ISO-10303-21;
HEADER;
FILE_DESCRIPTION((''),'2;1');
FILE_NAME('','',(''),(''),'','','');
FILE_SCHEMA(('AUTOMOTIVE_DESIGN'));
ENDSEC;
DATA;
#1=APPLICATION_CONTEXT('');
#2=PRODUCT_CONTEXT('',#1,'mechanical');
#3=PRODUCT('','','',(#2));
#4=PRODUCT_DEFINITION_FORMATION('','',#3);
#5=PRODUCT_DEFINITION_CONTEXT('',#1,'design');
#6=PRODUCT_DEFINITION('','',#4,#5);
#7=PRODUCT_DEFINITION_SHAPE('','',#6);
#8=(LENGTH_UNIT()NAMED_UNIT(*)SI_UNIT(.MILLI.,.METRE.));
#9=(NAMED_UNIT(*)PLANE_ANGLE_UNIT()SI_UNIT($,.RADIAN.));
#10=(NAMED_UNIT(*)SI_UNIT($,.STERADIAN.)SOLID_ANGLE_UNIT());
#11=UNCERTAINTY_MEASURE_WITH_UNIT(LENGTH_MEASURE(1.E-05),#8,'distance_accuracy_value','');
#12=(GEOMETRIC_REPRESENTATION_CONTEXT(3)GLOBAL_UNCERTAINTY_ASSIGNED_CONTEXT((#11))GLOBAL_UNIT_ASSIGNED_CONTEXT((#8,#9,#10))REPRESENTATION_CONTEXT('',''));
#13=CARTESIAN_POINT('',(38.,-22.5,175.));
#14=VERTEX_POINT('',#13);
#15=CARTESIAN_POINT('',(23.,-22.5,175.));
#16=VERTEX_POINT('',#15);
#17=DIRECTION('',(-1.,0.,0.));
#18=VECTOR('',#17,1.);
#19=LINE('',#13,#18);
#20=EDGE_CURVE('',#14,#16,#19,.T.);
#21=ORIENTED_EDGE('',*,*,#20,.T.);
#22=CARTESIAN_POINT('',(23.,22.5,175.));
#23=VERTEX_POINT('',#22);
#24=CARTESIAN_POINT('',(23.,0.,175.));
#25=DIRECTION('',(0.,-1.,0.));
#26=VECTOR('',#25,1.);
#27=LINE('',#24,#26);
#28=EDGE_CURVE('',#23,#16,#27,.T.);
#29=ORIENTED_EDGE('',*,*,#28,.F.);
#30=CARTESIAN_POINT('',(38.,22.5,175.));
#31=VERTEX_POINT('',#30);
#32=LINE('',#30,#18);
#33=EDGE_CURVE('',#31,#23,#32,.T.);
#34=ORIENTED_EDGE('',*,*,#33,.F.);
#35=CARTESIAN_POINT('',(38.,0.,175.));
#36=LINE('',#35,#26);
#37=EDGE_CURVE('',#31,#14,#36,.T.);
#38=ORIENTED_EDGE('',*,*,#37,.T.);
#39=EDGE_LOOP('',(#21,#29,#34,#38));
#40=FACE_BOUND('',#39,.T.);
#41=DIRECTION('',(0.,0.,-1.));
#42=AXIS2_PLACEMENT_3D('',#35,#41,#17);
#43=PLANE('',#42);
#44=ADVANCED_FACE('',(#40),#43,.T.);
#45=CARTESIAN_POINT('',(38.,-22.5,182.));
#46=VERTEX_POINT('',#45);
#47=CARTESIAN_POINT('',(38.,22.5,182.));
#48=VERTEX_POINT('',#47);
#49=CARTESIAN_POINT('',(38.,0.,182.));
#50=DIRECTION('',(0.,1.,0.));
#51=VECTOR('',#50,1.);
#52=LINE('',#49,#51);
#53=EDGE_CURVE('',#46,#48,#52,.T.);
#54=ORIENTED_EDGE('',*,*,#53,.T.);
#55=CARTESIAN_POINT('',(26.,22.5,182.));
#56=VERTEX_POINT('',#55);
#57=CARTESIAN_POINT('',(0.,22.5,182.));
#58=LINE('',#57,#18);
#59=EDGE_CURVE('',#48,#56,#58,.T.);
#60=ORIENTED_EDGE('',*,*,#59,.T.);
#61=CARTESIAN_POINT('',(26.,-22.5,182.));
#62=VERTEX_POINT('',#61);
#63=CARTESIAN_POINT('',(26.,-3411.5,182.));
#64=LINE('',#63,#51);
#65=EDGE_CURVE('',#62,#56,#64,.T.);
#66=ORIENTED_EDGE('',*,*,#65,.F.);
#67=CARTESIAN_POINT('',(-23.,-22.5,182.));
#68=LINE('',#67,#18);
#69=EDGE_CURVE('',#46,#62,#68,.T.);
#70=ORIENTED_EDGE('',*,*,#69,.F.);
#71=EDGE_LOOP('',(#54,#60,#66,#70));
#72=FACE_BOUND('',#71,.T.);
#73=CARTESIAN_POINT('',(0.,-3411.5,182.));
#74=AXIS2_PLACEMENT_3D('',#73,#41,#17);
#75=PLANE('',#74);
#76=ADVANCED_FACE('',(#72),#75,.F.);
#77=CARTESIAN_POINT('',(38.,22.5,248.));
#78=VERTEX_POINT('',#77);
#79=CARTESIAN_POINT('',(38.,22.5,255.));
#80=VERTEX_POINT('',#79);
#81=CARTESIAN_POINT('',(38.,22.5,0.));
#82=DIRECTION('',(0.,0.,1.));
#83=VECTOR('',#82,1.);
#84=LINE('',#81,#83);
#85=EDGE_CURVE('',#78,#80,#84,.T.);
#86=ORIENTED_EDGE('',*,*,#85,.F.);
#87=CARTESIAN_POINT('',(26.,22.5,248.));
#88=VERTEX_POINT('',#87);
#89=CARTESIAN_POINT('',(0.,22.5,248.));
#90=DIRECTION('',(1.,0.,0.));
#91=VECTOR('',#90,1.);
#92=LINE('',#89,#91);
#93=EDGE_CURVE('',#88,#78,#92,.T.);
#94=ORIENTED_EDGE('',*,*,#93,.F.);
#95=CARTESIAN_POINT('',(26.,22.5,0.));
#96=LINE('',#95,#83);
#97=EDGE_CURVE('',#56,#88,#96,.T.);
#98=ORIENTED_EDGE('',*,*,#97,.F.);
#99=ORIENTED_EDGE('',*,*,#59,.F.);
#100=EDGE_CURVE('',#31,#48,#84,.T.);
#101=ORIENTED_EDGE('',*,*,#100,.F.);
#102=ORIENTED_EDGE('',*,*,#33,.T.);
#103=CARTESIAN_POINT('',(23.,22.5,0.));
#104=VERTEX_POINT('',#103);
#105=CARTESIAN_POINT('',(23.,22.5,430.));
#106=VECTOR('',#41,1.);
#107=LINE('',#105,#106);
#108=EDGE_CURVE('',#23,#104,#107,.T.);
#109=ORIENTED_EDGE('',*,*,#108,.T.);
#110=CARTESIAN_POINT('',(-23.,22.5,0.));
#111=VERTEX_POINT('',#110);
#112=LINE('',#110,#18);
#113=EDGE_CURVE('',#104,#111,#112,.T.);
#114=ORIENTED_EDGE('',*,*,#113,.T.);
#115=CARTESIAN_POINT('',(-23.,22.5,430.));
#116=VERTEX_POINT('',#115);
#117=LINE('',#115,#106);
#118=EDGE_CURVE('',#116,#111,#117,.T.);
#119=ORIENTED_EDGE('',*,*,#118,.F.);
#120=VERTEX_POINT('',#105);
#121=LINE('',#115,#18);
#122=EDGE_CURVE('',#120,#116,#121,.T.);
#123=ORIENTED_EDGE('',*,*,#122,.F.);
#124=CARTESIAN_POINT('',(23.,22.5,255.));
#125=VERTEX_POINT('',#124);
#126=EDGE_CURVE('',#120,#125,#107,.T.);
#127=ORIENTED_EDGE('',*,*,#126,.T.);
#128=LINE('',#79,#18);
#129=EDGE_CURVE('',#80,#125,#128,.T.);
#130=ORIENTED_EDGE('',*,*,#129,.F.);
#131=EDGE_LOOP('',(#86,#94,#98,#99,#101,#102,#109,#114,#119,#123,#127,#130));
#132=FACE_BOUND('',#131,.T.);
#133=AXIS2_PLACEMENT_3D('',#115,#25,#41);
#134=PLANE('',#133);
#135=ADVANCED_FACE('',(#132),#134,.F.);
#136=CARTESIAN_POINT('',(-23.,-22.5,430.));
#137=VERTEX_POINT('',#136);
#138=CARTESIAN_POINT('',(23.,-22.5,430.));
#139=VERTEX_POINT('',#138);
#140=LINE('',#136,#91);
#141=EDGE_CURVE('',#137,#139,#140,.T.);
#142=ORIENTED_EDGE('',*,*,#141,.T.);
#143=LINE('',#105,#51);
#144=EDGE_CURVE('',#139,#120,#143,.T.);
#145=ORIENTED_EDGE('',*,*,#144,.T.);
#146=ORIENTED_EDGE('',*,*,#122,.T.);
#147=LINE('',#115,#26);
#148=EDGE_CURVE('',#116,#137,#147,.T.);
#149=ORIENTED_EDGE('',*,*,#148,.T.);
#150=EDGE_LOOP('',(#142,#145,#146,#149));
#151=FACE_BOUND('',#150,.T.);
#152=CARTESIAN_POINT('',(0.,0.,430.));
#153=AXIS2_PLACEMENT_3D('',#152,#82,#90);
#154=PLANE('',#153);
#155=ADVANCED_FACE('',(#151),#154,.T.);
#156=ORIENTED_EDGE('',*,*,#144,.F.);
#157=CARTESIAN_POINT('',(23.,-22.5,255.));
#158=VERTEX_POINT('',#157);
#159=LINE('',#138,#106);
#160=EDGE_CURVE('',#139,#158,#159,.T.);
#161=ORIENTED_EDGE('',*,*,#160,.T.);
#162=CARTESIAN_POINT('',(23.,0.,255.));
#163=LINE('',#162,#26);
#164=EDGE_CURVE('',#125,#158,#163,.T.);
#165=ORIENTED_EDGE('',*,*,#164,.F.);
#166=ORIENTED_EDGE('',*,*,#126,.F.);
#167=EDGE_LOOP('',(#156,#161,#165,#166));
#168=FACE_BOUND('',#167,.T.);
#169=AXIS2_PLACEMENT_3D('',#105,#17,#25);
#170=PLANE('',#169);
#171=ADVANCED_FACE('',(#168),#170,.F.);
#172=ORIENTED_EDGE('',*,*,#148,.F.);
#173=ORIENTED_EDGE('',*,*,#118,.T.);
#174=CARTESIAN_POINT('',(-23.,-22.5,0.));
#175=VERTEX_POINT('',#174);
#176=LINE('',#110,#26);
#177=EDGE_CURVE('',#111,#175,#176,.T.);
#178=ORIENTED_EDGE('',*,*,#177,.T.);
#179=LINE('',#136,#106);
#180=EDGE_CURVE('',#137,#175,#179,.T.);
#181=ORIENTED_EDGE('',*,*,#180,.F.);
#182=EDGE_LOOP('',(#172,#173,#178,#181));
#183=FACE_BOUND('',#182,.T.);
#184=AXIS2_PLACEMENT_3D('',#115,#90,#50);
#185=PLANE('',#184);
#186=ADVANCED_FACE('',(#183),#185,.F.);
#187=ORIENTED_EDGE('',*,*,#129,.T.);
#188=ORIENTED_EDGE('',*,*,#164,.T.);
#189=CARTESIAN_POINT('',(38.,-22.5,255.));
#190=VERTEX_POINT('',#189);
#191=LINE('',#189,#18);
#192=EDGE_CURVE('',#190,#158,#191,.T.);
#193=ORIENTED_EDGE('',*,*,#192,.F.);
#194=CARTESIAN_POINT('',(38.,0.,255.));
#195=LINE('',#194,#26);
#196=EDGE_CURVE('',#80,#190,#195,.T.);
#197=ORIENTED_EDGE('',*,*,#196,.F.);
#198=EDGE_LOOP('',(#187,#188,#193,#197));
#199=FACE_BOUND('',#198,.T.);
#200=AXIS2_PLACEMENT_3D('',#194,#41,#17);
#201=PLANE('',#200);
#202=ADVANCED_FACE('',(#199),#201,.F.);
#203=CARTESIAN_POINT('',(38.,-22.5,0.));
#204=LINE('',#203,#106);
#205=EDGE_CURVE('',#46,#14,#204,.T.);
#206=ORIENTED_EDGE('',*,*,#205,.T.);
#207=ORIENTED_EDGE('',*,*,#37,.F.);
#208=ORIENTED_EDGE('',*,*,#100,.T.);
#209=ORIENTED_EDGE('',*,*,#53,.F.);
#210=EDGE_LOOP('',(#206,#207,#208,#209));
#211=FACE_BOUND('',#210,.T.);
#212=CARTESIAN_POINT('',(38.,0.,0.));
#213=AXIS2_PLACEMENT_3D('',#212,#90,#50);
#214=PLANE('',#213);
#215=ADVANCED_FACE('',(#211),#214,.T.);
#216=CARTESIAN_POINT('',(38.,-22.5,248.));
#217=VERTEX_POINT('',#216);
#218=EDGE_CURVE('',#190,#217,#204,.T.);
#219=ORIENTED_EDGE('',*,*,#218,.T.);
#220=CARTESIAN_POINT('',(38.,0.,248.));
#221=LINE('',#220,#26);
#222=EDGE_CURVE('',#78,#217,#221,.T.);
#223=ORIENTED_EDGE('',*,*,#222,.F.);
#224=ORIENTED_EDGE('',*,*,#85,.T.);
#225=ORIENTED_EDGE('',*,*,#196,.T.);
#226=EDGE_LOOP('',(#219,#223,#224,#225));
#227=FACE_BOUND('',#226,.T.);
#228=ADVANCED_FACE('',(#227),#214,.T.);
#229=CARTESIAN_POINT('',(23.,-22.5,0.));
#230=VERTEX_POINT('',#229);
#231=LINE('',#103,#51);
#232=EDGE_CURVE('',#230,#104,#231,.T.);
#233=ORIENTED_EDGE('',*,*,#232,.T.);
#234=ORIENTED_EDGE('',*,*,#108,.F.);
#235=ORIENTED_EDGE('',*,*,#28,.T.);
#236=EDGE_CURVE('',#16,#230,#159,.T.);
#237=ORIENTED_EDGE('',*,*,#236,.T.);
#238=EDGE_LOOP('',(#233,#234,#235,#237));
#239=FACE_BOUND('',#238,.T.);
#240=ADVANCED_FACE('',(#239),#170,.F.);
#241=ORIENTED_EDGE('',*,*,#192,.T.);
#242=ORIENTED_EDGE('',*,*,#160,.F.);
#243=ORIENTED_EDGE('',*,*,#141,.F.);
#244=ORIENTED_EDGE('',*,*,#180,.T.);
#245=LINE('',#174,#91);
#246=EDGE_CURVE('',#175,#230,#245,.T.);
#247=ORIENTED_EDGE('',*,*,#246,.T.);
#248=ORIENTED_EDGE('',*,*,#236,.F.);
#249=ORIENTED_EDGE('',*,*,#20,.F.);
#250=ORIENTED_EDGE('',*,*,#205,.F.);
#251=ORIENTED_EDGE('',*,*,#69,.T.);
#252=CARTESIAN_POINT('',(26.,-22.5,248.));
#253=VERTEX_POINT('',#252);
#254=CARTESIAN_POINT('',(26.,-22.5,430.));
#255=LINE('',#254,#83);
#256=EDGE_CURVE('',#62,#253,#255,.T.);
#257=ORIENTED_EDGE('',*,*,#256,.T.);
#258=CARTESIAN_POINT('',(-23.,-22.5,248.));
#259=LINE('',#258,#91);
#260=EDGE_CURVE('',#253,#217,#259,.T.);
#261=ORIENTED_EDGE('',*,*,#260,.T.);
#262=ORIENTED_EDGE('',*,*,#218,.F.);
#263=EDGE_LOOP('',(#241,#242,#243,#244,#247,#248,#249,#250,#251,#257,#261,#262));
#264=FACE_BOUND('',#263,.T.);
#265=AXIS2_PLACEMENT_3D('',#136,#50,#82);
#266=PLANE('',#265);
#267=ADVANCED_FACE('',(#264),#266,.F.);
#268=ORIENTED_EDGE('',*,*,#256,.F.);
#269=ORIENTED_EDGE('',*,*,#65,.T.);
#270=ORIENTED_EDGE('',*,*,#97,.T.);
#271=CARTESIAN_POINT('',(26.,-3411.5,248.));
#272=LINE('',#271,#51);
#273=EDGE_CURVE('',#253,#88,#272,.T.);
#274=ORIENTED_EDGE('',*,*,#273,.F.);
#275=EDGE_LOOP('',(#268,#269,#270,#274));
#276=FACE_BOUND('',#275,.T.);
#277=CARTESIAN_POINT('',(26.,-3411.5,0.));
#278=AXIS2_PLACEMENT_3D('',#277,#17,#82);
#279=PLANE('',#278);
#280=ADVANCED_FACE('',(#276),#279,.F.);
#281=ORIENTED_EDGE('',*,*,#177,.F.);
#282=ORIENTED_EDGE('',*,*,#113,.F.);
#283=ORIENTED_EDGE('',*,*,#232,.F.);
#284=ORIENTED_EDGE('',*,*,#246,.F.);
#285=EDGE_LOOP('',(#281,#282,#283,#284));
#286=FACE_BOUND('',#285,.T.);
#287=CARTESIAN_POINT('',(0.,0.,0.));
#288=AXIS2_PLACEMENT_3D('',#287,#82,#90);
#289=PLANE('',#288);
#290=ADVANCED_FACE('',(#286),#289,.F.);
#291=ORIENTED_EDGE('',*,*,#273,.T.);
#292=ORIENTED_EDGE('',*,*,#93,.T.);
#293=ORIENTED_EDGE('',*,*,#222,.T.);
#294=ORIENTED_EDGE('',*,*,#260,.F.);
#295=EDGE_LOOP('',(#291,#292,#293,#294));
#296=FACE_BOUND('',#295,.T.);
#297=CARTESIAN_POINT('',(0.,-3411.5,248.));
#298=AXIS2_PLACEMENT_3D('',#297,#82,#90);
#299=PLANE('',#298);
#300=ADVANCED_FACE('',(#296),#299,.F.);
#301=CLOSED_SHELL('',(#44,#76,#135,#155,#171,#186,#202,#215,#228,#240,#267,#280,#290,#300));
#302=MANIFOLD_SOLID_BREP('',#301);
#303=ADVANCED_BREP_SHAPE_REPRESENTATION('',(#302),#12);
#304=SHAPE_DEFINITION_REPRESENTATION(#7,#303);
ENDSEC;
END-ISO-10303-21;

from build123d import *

# Parameters (mm, degrees)
SKETCH1_W           = 46
SKETCH1_H           = 45
BOSS_EXTRUDE1_DEPTH = 430
SKETCH2_W           = 40
SKETCH2_H           = 45
BOSS_EXTRUDE2_DEPTH = 15
SKETCH3_W           = 12
SKETCH3_H           = 66
CUT_EXTRUDE2_DEPTH  = 3434


with BuildPart() as part:
    # Sketch1 → Boss-Extrude1 (new body)
    with BuildSketch(Plane.XY):
        Rectangle(SKETCH1_W, SKETCH1_H)
    extrude(amount=BOSS_EXTRUDE1_DEPTH)

    # Sketch2 → Boss-Extrude2 (add)
    with BuildSketch(Plane(origin=(23, 0, 0), x_dir=(0, 0, -1), z_dir=(1, 0, 0))):
        with Locations((-195, 0)):
            Rectangle(SKETCH2_W, SKETCH2_H)
        with Locations((-235, 0)):
            Rectangle(SKETCH2_W, SKETCH2_H)
    extrude(amount=BOSS_EXTRUDE2_DEPTH)

    # Sketch3 → Cut-Extrude2 (cut)
    with BuildSketch(Plane(origin=(0, 22.5, 0), x_dir=(1, 0, 0), z_dir=(0, 1, 0))):
        with Locations((32, -215)):
            Rectangle(SKETCH3_W, SKETCH3_H)
    extrude(amount=-CUT_EXTRUDE2_DEPTH, mode=Mode.SUBTRACT)


solid = part.part
